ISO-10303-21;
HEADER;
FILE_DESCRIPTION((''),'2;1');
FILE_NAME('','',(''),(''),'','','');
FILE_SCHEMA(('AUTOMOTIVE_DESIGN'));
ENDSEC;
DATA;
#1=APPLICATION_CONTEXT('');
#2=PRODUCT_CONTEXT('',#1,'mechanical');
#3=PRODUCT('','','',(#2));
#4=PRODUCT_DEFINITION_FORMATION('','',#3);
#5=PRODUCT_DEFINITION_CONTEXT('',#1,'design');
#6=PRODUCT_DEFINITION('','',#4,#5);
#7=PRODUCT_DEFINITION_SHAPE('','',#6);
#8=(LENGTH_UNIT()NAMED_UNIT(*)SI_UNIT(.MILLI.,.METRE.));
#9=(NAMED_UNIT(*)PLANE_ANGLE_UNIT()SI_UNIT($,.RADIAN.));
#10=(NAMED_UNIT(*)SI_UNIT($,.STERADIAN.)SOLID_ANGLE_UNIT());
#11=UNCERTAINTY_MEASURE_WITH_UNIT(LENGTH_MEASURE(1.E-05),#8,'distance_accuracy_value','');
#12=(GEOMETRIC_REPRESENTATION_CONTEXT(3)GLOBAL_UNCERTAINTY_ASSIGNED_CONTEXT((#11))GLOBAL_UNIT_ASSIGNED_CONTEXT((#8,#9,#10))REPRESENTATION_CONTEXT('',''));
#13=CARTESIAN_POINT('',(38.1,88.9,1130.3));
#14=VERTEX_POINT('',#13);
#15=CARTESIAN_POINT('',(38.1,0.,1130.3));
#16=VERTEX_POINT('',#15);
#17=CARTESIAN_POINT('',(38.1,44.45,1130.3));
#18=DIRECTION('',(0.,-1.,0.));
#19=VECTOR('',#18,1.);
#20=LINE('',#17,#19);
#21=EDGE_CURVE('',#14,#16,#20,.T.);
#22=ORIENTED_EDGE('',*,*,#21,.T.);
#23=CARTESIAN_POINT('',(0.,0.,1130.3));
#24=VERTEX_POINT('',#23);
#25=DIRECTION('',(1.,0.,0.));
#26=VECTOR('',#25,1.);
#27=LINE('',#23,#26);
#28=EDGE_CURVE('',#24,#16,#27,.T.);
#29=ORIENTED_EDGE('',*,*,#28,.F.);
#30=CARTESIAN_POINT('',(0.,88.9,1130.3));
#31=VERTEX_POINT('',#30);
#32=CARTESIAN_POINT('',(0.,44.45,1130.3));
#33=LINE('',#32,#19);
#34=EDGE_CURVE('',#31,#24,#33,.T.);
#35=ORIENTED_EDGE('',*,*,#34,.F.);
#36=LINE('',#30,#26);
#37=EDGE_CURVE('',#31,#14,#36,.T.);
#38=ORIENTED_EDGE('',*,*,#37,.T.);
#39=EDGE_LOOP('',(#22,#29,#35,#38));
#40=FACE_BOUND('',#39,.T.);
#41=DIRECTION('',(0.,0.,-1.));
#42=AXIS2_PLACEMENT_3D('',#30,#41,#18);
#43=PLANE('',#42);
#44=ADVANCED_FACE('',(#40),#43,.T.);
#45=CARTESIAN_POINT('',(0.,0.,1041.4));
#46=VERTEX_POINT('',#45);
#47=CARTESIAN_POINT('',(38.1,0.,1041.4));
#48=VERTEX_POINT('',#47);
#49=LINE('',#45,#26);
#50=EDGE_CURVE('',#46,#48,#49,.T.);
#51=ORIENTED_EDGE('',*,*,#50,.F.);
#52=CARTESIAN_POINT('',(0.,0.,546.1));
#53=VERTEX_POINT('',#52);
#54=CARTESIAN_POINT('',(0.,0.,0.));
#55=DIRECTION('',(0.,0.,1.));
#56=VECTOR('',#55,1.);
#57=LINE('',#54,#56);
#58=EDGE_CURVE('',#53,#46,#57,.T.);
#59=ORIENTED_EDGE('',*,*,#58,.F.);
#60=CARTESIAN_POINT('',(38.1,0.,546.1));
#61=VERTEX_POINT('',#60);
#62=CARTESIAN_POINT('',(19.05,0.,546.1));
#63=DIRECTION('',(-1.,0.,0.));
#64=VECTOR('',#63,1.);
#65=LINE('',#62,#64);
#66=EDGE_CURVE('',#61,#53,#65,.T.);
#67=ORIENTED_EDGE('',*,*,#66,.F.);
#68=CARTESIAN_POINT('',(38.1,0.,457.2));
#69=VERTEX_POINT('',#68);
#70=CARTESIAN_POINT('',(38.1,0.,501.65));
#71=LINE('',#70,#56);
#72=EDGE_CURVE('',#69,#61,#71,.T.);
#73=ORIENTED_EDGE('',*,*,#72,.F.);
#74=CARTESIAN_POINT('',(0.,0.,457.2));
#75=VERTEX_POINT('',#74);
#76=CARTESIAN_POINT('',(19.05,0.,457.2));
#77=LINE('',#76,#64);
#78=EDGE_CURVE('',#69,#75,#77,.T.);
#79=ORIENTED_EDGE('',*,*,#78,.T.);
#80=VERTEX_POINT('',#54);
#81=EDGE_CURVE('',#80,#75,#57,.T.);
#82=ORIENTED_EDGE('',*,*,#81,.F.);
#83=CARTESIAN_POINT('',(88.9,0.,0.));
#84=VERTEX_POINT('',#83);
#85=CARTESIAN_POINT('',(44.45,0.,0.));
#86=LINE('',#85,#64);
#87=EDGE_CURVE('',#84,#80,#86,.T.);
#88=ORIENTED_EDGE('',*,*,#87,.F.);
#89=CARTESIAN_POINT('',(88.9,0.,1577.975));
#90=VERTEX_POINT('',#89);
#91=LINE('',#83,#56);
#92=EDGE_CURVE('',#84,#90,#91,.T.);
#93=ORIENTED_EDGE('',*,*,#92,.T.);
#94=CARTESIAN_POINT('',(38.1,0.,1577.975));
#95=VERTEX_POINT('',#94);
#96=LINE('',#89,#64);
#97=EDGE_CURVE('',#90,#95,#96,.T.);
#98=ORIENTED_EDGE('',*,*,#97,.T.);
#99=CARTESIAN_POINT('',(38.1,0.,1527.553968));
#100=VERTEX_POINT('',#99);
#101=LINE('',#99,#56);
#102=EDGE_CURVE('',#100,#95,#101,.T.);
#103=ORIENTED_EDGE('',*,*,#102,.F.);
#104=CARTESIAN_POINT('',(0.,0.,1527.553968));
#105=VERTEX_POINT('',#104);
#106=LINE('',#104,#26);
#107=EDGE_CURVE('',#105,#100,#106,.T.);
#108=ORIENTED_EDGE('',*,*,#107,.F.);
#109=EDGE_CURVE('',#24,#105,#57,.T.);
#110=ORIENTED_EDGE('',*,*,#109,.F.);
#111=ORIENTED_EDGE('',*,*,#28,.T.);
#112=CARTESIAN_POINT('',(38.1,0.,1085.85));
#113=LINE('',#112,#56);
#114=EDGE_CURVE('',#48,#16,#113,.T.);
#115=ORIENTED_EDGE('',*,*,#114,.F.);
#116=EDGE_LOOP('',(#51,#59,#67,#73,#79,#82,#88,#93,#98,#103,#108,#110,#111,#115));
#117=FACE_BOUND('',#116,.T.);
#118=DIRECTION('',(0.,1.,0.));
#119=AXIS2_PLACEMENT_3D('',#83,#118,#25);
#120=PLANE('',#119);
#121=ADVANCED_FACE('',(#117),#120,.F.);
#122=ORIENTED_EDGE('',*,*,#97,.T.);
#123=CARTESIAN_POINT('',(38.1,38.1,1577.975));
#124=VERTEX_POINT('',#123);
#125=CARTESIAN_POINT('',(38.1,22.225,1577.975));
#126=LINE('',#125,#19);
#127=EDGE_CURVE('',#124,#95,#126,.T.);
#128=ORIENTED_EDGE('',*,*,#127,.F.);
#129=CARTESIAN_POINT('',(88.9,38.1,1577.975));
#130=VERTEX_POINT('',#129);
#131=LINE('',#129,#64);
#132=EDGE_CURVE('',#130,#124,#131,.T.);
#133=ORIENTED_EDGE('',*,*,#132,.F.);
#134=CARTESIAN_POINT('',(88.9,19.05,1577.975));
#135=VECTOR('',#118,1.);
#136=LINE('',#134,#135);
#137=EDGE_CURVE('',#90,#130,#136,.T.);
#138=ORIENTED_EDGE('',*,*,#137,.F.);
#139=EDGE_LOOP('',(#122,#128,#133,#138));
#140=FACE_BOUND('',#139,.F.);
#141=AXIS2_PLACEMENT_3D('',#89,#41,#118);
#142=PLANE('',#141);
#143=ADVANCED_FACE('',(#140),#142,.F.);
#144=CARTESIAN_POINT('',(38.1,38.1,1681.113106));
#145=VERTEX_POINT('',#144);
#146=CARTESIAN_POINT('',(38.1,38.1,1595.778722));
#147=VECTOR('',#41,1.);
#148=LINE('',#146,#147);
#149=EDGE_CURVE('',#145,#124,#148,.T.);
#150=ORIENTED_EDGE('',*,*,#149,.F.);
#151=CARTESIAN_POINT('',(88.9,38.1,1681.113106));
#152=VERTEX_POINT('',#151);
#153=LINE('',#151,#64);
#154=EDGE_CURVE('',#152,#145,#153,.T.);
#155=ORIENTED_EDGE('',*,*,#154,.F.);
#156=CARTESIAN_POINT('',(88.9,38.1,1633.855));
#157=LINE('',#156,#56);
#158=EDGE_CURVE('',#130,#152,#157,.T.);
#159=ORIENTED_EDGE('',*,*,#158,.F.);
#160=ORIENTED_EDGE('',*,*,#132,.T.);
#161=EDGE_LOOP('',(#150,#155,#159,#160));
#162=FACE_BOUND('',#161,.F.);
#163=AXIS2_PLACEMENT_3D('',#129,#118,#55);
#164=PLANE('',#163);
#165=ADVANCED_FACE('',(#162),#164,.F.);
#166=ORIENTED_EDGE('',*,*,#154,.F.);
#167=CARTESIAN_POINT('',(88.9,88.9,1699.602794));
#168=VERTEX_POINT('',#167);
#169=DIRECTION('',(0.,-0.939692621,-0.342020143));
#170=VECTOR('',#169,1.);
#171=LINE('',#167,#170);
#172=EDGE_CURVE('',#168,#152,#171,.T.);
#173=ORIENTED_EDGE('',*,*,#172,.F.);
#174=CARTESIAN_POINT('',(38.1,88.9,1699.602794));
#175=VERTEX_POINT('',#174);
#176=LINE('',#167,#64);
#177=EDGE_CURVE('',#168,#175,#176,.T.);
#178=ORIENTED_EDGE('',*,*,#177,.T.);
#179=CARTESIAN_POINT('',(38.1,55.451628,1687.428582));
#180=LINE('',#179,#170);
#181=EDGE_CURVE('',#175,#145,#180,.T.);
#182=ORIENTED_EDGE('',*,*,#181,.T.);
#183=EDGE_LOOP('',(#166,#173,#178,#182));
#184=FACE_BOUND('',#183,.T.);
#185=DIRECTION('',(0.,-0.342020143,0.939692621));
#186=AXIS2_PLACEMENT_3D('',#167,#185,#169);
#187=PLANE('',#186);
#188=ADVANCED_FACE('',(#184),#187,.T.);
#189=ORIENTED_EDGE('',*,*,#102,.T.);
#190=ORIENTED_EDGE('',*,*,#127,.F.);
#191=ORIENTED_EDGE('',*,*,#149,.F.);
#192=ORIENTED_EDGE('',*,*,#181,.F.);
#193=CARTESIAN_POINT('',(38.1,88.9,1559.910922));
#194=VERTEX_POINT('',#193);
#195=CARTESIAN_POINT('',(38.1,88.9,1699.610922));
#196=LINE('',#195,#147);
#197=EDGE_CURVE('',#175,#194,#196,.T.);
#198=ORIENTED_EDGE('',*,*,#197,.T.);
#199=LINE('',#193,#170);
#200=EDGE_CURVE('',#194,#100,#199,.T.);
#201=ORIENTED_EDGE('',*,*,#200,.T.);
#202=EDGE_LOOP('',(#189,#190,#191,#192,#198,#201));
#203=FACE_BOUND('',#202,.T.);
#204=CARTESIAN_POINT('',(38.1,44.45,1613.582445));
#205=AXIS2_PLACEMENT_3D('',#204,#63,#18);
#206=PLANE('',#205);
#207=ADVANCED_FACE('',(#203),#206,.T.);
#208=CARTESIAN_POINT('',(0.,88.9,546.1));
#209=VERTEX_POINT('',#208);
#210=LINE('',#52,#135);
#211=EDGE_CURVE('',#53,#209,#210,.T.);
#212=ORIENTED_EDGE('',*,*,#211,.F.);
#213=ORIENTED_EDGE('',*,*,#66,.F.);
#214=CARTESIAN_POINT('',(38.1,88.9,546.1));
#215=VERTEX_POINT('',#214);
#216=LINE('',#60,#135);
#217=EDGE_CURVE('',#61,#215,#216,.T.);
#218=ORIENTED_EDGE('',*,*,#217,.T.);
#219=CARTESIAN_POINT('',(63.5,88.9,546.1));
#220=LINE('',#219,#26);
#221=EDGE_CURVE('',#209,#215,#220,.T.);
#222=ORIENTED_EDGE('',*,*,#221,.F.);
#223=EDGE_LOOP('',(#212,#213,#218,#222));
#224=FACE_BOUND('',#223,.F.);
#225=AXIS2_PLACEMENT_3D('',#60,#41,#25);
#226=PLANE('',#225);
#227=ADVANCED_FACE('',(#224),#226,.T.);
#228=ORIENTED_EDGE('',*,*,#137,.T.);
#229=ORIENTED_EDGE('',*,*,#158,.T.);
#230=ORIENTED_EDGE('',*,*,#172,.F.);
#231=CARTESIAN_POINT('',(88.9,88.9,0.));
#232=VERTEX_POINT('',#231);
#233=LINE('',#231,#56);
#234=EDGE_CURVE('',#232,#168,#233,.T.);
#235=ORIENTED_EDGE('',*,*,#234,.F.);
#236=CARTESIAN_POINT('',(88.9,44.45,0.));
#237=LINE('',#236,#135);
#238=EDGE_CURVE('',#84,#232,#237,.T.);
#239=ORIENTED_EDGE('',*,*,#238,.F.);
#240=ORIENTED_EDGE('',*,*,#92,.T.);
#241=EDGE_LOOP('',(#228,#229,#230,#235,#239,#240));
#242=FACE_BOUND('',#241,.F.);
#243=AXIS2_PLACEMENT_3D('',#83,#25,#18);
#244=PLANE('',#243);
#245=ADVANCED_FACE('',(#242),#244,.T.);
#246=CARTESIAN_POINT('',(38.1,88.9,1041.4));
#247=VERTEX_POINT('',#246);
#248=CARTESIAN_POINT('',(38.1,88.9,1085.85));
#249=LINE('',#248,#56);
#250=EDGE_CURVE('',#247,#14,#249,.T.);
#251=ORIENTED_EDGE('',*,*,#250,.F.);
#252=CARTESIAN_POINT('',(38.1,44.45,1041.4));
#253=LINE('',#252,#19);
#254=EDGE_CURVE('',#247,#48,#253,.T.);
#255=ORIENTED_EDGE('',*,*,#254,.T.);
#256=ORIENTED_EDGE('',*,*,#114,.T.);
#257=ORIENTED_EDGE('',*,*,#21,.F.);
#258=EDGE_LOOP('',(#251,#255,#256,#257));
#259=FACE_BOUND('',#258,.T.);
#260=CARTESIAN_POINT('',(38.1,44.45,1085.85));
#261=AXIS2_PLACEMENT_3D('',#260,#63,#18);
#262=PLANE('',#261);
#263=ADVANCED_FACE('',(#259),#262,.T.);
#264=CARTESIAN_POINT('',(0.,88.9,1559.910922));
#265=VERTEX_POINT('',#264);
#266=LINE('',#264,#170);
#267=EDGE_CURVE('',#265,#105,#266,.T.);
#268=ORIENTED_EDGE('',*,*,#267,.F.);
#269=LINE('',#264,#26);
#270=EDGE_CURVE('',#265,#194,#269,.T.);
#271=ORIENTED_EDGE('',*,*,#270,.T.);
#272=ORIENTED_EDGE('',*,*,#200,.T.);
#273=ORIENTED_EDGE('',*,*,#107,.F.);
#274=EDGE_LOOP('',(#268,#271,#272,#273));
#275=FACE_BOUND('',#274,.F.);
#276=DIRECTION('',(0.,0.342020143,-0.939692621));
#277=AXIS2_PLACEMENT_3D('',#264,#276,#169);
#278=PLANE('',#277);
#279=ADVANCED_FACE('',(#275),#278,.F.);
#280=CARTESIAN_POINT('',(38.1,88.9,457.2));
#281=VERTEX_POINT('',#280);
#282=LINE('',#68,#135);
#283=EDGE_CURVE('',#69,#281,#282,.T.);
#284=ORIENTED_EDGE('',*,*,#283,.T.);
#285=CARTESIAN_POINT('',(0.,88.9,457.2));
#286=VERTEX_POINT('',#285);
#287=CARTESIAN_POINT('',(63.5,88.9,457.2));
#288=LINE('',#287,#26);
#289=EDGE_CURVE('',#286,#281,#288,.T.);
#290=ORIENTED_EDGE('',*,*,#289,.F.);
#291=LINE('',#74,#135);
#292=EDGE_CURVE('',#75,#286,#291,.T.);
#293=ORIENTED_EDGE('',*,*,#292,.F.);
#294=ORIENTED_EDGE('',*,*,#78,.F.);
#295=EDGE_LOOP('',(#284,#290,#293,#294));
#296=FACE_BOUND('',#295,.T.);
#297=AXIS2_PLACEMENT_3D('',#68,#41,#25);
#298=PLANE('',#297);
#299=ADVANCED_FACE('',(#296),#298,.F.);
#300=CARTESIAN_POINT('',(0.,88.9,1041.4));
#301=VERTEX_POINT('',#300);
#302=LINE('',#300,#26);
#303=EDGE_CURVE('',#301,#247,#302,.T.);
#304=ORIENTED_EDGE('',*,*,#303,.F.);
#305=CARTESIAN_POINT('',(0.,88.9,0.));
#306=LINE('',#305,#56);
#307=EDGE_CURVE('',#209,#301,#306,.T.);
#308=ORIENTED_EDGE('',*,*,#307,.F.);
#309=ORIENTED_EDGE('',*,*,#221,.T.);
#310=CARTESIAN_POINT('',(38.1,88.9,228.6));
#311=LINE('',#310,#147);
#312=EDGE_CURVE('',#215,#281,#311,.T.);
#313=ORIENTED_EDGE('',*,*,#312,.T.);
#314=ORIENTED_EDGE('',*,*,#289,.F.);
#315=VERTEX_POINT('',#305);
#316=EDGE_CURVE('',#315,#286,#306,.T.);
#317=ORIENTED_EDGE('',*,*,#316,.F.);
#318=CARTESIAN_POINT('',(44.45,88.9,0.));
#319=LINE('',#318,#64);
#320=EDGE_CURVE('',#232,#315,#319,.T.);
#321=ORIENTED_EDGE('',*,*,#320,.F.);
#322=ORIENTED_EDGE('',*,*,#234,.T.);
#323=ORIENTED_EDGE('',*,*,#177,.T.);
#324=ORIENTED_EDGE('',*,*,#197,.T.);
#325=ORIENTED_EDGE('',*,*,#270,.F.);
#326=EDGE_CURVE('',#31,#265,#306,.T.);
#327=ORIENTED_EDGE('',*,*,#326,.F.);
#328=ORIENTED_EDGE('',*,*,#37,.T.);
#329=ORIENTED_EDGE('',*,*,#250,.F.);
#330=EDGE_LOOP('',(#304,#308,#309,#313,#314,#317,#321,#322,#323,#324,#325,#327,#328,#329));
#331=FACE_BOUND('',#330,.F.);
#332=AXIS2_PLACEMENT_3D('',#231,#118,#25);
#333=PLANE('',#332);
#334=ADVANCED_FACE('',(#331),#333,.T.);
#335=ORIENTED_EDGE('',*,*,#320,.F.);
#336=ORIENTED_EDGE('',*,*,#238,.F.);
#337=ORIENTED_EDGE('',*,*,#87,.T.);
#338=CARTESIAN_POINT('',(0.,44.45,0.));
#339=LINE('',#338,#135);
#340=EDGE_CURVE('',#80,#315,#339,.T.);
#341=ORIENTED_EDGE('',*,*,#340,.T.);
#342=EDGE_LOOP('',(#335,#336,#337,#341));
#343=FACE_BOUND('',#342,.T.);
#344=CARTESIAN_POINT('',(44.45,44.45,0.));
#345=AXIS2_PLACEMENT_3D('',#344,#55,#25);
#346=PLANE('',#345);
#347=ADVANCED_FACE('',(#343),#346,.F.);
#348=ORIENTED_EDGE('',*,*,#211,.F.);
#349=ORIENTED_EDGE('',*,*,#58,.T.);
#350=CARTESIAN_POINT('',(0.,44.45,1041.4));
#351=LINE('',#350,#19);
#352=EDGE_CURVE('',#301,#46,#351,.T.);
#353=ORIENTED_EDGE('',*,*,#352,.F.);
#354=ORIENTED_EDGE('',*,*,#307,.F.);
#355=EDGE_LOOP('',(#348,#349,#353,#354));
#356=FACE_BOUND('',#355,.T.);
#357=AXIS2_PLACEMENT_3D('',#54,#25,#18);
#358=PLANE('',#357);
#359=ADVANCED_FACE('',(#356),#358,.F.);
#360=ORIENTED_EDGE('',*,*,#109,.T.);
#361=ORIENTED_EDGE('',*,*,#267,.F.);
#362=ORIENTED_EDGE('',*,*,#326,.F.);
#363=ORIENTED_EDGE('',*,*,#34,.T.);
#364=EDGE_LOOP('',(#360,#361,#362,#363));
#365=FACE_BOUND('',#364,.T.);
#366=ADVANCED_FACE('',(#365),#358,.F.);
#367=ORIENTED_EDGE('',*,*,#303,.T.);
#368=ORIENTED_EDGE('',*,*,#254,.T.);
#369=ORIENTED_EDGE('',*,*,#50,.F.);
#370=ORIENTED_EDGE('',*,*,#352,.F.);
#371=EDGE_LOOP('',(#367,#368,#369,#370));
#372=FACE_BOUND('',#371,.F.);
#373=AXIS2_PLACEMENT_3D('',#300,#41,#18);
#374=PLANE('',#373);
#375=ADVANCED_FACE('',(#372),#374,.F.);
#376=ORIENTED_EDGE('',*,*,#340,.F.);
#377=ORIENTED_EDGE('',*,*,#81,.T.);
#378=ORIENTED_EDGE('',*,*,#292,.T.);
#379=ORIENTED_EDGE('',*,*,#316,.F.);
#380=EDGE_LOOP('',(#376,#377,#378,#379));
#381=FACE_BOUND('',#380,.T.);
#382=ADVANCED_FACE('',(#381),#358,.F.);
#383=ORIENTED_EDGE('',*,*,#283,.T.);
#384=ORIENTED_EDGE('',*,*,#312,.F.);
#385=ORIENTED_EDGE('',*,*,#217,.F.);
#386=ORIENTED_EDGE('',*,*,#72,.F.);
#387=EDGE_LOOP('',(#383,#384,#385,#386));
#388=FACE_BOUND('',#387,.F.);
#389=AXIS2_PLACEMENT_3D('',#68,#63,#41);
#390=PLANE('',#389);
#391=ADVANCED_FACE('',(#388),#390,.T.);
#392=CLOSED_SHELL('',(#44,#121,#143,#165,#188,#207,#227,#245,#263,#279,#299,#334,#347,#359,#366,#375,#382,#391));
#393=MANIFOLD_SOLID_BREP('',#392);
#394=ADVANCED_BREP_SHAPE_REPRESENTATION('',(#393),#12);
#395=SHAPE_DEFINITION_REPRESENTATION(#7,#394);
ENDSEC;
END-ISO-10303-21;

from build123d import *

# Parameters (mm, degrees)
BOX002_W        = 88.9
BOX002_H        = 88.9
BOX002_DEPTH    = 2438.4
SKETCH_W        = 38.1
SKETCH_H        = 88.9
POCKET_DEPTH    = 88.9010000032
POCKET006_DEPTH = 88.901
POCKET012_DEPTH = 38.1
SKETCH017_W     = 38.1
SKETCH017_H     = 111.76
POCKET014_DEPTH = 88.901
SKETCH034_W     = 88.9
SKETCH034_H     = 88.9
POCKET024_DEPTH = 38.1


with BuildPart() as swpost2:
    # Box002 → Box002 (new body)
    with BuildSketch(Plane(origin=(1435.1, 0, 0), x_dir=(1, 0, 0), z_dir=(0, 0, 1))):
        with Locations((44.45, 44.45)):
            Rectangle(BOX002_W, BOX002_H)
    extrude(amount=BOX002_DEPTH)

    # Sketch → Pocket (cut, through all)
    with BuildSketch(Plane(origin=(1435.1, 0, 0), x_dir=(1, 0, 0), z_dir=(0, -1, 0))):
        with Locations((69.85, 501.65)):
            Rectangle(SKETCH_W, SKETCH_H)
    extrude(amount=-POCKET_DEPTH, mode=Mode.SUBTRACT)


with BuildPart() as pocket024:
    # Part__Mirroring001: instance of SWpost2
    add(swpost2.part.mirror(Plane(origin=(762, 0, 0), x_dir=(0, -1, 0), z_dir=(1, 0, 0))))

    # Sketch007 → Pocket006 (cut, through all)
    with BuildSketch(Plane.YZ.offset(88.9)):
        Polygon((0, 1667.24584), (0, 2438.4), (88.9, 2438.4), (88.9, 1699.6027938263), align=None)
    extrude(amount=-POCKET006_DEPTH, mode=Mode.SUBTRACT)

    # Sketch013 → Pocket012 (cut)
    with BuildSketch(Plane(origin=(0, 0, 0), x_dir=(0, -1, 0), z_dir=(-1, 0, 0))):
        Polygon((-88.9, 1699.6109218263), (-88.9, 1559.9109218263), (0, 1527.553968), (0, 1667.253968), align=None)
    extrude(amount=-POCKET012_DEPTH, mode=Mode.SUBTRACT)

    # Sketch017 → Pocket014 (cut, through all)
    with BuildSketch(Plane.YZ.offset(88.9)):
        with Locations((19.05, 1633.855)):
            Rectangle(SKETCH017_W, SKETCH017_H)
    extrude(amount=-POCKET014_DEPTH, mode=Mode.SUBTRACT)

    # Sketch034 → Pocket024 (cut)
    with BuildSketch(Plane(origin=(0, 0, 0), x_dir=(0, -1, 0), z_dir=(-1, 0, 0))):
        with Locations((-44.45, 1085.85)):
            Rectangle(SKETCH034_W, SKETCH034_H)
    extrude(amount=-POCKET024_DEPTH, mode=Mode.SUBTRACT)


solid = pocket024.part
